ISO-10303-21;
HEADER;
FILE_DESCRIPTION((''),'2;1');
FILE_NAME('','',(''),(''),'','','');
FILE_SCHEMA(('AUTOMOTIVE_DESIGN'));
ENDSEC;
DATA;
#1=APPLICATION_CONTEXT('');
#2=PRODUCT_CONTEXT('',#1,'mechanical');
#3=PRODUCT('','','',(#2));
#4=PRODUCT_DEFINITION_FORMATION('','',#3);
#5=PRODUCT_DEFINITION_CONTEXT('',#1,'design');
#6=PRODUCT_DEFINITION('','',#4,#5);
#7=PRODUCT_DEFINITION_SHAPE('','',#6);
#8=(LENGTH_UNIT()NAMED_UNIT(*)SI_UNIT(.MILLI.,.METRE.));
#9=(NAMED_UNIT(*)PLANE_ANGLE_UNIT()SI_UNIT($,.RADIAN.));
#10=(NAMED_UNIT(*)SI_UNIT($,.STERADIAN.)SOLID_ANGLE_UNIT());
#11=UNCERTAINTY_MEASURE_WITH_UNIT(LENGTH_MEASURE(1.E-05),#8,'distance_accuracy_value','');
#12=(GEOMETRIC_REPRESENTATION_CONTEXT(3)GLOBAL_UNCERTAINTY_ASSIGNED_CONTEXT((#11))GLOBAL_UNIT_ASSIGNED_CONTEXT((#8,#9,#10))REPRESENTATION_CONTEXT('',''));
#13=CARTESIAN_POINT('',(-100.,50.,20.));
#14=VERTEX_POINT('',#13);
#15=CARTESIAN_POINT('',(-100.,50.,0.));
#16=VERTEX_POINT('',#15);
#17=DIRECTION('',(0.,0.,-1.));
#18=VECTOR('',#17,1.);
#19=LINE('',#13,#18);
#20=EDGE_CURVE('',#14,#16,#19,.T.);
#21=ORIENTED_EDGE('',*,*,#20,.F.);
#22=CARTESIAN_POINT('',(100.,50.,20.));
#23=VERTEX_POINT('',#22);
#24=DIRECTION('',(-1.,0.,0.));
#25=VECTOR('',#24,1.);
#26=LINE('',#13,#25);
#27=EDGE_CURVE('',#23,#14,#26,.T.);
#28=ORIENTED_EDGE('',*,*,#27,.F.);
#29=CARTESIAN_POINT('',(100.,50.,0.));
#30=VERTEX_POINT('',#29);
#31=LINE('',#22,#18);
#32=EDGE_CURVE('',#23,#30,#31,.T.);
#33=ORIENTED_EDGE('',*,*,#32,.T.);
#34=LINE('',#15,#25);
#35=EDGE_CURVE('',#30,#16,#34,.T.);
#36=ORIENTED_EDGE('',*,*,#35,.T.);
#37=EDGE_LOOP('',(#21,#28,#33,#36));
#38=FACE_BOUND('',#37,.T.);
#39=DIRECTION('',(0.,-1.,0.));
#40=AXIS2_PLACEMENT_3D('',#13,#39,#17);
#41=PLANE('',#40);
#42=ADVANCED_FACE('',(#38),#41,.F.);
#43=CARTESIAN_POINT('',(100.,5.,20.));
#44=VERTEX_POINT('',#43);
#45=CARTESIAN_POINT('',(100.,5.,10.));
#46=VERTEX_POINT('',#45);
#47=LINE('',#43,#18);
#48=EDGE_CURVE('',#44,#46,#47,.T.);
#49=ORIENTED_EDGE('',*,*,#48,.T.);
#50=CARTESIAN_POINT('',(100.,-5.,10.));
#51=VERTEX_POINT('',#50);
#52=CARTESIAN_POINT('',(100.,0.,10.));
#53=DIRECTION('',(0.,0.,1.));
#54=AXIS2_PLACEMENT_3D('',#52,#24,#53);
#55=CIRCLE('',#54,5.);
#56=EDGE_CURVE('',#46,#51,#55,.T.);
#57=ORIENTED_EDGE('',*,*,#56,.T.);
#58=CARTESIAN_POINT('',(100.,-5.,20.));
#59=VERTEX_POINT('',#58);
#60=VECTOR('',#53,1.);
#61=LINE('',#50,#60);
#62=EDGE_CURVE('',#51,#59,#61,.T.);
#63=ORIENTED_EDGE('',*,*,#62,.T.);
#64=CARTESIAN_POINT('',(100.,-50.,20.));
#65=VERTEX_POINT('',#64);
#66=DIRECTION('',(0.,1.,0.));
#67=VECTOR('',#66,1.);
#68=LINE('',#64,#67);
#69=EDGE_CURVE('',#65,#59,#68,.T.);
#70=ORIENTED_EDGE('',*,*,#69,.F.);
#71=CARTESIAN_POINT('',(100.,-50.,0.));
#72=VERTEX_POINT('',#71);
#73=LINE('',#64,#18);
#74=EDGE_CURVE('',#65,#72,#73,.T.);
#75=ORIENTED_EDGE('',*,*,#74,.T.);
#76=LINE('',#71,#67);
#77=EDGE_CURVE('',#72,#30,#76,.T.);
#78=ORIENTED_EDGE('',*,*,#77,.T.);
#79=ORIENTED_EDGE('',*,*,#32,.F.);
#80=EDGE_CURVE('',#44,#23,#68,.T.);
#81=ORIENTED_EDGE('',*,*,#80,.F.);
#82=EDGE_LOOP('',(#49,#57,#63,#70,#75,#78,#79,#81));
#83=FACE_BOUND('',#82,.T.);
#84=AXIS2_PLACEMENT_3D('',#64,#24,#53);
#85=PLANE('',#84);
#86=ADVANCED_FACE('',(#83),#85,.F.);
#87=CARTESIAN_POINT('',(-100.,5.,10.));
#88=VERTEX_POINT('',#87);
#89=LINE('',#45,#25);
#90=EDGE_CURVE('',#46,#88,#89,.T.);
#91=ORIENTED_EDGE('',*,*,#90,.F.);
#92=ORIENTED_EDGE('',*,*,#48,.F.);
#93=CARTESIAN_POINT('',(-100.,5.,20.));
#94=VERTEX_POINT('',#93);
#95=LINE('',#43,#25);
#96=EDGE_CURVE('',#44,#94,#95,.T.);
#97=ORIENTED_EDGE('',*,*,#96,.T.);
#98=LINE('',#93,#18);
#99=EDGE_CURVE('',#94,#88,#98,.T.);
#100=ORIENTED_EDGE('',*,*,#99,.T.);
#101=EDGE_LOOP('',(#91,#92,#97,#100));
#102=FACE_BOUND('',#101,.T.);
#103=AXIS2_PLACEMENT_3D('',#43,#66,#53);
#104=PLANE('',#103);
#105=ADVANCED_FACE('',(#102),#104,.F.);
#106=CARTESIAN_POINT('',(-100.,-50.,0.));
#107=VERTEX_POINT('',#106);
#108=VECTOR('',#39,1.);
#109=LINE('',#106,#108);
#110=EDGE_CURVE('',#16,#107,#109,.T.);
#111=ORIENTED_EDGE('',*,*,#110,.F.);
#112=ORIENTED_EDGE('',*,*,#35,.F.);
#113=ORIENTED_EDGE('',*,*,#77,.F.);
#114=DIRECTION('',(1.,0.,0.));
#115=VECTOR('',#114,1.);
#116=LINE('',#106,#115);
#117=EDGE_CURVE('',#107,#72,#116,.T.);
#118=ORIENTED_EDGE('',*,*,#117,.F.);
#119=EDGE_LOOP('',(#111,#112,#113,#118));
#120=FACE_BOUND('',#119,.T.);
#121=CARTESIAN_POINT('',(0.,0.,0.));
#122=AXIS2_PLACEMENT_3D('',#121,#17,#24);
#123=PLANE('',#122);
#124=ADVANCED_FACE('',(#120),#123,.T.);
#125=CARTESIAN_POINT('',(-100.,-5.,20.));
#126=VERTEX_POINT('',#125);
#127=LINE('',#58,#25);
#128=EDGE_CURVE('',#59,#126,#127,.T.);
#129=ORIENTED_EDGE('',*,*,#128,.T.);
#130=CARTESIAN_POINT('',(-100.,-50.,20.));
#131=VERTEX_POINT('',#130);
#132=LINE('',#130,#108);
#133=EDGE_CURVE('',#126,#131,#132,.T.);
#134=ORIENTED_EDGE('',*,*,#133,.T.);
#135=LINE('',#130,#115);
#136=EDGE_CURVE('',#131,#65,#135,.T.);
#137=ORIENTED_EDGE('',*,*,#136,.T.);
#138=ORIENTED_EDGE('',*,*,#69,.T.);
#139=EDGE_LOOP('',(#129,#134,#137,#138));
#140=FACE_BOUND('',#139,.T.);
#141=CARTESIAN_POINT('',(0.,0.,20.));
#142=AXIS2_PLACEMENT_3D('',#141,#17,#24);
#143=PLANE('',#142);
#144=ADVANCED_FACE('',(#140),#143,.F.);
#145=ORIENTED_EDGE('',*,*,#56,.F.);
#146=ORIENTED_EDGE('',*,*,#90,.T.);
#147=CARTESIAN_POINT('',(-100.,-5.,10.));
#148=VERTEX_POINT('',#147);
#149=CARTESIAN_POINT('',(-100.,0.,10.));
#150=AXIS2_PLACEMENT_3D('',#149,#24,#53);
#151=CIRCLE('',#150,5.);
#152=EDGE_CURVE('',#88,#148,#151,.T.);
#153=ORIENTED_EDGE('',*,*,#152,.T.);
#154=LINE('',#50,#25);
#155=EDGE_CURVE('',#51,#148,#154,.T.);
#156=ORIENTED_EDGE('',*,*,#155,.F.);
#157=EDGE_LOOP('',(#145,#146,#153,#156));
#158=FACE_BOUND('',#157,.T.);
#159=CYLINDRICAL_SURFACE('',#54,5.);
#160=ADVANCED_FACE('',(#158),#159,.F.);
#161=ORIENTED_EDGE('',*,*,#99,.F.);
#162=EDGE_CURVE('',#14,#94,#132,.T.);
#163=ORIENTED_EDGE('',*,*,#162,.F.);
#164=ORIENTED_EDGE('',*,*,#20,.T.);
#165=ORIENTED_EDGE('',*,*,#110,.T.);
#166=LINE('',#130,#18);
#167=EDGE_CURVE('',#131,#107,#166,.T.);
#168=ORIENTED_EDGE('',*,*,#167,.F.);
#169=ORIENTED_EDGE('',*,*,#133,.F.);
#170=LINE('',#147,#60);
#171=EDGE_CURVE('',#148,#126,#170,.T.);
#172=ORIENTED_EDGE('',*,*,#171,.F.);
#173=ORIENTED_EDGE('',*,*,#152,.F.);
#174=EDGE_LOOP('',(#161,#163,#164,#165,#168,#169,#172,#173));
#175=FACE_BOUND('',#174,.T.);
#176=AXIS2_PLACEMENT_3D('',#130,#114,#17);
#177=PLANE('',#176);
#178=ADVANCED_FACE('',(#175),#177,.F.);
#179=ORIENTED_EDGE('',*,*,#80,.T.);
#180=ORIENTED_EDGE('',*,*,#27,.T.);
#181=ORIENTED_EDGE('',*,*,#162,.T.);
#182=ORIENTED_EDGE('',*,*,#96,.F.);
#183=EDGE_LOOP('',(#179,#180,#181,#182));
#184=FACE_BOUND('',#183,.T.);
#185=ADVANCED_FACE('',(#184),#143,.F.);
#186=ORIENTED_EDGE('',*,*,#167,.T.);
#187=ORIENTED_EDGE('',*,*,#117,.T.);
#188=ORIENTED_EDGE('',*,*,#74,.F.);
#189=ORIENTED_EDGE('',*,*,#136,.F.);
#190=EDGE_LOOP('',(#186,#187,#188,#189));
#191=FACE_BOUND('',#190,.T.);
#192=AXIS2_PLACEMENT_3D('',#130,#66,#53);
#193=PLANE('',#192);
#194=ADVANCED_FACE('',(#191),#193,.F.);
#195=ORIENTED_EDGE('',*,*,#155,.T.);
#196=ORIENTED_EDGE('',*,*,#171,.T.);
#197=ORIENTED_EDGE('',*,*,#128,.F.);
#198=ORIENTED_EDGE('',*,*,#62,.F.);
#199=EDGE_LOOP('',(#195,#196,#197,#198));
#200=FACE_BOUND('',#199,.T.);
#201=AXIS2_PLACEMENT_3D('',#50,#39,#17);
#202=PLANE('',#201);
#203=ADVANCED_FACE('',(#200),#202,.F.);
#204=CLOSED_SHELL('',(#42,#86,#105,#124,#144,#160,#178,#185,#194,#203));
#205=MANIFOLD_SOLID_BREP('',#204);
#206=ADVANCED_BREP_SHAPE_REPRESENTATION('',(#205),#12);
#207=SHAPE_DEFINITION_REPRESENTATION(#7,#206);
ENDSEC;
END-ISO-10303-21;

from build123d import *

# Parameters (mm, degrees)
SKETCH_1_W          = 200
SKETCH_1_H          = 100
EXTRUDE_1_DEPTH     = 20
CUT_EXTRUDE_1_DEPTH = 201


with BuildPart() as part:
    # 草图1 → 凸台-拉伸1 (new body)
    with BuildSketch(Plane.XY):
        Rectangle(SKETCH_1_W, SKETCH_1_H)
    extrude(amount=EXTRUDE_1_DEPTH)

    # 草图2 → 切除-拉伸1 (cut, through all)
    with BuildSketch(Plane.ZY.offset(100)):
        with BuildLine():
            Line((10, -5), (20, -5))
            Line((20, -5), (20, 5))
            Line((20, 5), (10, 5))
            ThreePointArc((10, 5), (5, 0), (10, -5))
        make_face()
    extrude(amount=-CUT_EXTRUDE_1_DEPTH, mode=Mode.SUBTRACT)


solid = part.part
